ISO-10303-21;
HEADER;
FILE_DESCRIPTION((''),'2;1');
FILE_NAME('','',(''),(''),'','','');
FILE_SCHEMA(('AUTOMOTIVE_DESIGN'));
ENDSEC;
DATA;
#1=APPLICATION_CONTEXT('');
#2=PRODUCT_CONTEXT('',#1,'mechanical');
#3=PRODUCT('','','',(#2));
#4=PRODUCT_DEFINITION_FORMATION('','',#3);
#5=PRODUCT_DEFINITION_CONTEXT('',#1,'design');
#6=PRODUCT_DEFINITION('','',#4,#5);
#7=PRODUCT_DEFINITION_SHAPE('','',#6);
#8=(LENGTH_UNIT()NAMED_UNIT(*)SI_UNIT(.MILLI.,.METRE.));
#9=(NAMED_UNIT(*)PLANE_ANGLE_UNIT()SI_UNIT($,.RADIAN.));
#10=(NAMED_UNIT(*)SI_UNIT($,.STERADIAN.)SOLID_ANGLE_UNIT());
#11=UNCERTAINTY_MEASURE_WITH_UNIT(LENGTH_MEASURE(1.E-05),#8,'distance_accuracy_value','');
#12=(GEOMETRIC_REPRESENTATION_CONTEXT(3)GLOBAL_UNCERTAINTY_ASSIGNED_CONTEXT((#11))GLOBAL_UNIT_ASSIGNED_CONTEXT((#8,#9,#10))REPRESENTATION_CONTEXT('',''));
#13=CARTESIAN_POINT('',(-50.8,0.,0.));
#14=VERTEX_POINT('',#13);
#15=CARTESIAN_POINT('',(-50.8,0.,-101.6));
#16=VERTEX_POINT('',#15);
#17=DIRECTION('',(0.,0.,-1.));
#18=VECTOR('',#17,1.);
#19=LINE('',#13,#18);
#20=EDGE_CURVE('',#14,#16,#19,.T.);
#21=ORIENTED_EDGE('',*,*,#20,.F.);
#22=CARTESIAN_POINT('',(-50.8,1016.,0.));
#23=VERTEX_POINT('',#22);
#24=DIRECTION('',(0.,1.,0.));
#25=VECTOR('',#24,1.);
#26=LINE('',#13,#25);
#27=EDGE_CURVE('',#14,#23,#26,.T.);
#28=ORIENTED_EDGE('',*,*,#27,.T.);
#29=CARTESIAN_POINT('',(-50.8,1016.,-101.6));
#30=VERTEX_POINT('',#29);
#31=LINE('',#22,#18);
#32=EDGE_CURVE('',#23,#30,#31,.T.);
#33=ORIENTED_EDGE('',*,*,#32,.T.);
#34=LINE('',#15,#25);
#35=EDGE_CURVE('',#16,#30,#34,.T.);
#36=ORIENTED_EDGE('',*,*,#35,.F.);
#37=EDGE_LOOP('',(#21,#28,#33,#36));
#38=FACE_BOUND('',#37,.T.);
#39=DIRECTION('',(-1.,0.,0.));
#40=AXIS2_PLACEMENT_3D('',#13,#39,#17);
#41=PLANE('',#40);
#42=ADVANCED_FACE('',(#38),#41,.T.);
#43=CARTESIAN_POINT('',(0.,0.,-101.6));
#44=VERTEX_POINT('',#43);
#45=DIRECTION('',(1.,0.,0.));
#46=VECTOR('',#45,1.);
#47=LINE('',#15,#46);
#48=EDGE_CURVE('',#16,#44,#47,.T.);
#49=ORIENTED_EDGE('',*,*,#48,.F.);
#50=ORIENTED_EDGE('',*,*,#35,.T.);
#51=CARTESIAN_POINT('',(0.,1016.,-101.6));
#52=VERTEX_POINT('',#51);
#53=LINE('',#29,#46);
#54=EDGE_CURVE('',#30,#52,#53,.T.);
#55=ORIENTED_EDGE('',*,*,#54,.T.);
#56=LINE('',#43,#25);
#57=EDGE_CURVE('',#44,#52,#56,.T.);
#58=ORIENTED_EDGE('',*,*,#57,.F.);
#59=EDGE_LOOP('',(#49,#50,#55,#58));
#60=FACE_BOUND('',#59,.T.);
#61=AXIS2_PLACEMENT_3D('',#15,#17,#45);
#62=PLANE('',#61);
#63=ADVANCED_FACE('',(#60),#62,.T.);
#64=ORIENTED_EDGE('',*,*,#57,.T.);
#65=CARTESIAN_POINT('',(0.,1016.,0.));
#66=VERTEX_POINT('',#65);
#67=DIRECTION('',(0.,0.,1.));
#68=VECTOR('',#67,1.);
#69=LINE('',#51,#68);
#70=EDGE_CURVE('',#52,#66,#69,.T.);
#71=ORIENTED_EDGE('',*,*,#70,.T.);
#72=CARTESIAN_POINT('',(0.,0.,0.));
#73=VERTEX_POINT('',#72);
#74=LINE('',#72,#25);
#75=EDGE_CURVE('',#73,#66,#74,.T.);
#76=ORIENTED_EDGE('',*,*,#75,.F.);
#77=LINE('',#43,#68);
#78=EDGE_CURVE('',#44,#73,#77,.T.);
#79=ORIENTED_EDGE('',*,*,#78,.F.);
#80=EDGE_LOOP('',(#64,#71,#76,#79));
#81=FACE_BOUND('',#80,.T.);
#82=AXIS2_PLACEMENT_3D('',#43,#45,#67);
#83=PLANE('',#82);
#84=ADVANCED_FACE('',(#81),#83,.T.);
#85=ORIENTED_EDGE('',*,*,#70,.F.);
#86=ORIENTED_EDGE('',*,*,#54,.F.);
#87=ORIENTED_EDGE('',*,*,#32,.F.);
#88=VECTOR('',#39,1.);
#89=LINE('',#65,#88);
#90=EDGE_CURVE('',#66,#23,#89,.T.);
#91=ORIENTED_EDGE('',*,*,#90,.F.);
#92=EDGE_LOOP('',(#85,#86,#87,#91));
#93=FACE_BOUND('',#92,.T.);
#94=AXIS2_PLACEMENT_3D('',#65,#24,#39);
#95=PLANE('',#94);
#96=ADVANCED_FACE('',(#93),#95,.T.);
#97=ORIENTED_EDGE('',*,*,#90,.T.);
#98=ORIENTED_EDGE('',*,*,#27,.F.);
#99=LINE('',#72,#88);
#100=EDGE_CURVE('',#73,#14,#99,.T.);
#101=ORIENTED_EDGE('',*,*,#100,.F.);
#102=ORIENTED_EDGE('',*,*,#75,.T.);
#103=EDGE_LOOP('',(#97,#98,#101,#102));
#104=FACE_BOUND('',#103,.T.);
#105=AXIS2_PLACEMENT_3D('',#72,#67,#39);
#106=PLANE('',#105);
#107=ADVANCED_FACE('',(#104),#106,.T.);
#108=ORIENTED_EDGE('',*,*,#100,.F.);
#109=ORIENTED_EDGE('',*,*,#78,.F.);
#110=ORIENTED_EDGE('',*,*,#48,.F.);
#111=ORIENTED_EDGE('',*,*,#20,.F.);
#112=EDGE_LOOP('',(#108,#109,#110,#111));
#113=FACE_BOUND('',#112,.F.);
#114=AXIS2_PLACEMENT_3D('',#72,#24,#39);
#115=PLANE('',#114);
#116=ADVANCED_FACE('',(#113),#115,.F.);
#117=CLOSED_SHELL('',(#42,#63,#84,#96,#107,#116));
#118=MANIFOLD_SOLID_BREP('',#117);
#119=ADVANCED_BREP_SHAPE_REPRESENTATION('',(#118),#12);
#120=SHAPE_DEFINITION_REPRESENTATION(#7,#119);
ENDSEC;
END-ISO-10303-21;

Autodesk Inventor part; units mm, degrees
ref_plane "YZ Plane" through (0, 0, 0) normal (1, 0, 0) x (0, 1, 0)
ref_plane "XZ Plane" through (0, 0, 0) normal (0, 1, 0) x (-1, 0, 0)
ref_plane "XY Plane" through (0, 0, 0) normal (0, 0, 1) x (1, 0, 0)
sketch "Sketch1" plane through (0, 0, 0) normal (0, 1, 0) x (-1, 0, 0)
  line L0 (0, 0) -> (50.8, 0)
  line L1 (50.8, 0) -> (50.8, -101.6)
  line L2 (50.8, -101.6) -> (0, -101.6)
  line L3 (0, -101.6) -> (0, 0)
  dimension "d0" = 50.8
  dimension "d1" = 101.6
extrude "Extrusion1" add sketch "Sketch1" along normal blind 1016
properties part number "Table Leg" material "Wood (Birch)"
